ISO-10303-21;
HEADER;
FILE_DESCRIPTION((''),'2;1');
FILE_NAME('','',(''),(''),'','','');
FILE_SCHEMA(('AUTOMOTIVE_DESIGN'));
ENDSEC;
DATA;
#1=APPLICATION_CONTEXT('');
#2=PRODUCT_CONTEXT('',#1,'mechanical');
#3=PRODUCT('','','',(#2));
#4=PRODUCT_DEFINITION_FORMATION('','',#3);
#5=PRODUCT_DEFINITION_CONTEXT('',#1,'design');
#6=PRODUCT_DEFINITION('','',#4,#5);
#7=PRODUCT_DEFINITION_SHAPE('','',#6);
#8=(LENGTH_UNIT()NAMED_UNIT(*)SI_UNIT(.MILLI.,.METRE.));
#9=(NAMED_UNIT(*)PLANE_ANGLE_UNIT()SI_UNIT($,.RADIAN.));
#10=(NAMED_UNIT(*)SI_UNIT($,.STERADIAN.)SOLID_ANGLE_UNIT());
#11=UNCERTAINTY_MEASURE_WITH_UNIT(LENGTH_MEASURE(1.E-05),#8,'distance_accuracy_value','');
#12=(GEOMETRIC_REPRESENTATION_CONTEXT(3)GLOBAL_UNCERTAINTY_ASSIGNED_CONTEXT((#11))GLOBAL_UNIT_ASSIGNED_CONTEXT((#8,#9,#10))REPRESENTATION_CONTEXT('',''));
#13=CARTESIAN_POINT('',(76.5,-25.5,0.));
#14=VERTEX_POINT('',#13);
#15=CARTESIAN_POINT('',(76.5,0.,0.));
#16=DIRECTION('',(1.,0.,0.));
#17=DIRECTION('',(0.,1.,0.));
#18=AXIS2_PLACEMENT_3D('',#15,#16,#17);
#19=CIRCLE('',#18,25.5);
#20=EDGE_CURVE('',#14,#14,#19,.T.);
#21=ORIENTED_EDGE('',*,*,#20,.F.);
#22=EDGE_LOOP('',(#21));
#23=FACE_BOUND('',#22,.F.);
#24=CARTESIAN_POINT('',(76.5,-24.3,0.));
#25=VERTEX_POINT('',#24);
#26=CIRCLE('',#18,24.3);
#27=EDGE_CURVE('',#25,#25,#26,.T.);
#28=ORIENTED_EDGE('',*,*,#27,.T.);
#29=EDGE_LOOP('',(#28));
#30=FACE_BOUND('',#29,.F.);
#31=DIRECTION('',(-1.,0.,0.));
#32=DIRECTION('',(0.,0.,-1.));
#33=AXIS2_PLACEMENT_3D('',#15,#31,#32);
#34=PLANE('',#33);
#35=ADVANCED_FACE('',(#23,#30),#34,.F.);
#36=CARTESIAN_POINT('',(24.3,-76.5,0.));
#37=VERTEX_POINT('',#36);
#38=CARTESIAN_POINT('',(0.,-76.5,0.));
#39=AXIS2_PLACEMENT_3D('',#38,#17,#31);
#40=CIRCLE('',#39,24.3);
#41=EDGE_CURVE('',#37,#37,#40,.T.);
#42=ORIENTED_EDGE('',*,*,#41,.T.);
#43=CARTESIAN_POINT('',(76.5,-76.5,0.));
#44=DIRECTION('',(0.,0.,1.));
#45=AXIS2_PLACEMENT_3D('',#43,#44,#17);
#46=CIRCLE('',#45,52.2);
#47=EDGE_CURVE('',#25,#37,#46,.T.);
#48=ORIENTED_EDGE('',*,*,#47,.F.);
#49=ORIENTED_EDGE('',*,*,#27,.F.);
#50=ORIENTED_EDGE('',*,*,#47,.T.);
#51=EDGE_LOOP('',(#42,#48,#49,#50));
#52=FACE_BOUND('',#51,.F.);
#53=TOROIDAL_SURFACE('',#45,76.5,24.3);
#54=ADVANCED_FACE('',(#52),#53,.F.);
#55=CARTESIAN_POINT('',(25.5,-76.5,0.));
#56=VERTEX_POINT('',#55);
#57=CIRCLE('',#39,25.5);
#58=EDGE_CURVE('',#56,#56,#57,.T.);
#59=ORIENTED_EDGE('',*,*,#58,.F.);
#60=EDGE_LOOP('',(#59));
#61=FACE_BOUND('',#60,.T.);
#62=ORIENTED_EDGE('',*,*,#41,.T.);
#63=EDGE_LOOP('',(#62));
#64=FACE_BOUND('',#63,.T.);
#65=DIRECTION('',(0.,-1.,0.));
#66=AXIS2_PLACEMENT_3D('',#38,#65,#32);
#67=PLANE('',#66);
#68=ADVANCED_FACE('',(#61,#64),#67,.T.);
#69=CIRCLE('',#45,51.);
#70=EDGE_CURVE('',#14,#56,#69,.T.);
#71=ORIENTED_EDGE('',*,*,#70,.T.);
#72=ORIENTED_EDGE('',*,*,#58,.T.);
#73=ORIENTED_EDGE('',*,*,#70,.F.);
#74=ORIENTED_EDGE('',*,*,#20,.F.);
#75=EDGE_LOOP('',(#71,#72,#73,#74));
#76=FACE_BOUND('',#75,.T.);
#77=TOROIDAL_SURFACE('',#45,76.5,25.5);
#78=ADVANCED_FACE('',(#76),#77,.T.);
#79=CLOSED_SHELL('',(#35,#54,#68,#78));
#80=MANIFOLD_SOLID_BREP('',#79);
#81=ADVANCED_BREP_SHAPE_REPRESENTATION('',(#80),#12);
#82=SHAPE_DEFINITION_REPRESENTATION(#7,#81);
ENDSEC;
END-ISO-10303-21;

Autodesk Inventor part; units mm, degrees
ref_plane "YZ Plane" through (0, 0, 0) normal (1, 0, 0) x (0, 1, 0)
ref_plane "XZ Plane" through (0, 0, 0) normal (0, 1, 0) x (-1, 0, 0)
sketch "Szkic6" plane through (0, 0, 0) normal (0, 0, 1) x (1, 0, 0)
  line L0 (-29.6067, 0) -> (35.2678, 0) construction
  line L1 (0, 42.3419) -> (0, -58.3726) construction
  arc A0 (76.5, 0) -> (0, -76.5) centre (76.5, -76.5) ccw
  line L2 (0, -76.5) -> (76.5, -76.5) construction
  line L3 (76.5, -76.5) -> (76.5, -10.9669) construction
  line L4 (76.5, 0) -> (76.5, 0)
  line L5 (0, -76.5) -> (0, -76.5)
  point P0 (0, 0)
  dimension "d24" = 76.5
  dimension "d31" = 90
  dimension "d36" = 0
  dimension "d37" = 0
ref_plane "Płaszczyzna konstrukcyjna2" through (0, -76.5, 0) normal (0, -1, 0) x (1, 0, 0)
sketch "Szkic8" plane through (0, -76.5, 0) normal (0, -1, 0) x (1, 0, 0)
  circle A0 centre (0, 0) radius 25.5
  circle A1 centre (0, 0) radius 24.3
  dimension "d32" = 51
  dimension "d33" = 1.2
sweep "Przeciągnięcie2" add profiles "Szkic8" path "Szkic6"
equation "\"d32\" = OD"
equation "\"d33\" = THK"
equation "\"d24\" = R"
equation "\"d31\" = KAT"
equation "\"SzerokośćGięciaPodcięcia\" = Grubość"
equation "\"RozmiarPodcięciaNarożnika\" = 4 * Grubość"
equation "\"PromieńPrzejścia\" = PromieńGięcia"
equation "\"Rozmiar_promienia_Jacobiego\" = PromieńGięcia"
equation "\"Wielk_odstępu\" = Grubość"
equation "\"d2\" = PromieńGięcia"
equation "\"d23\" = PromieńGięcia"
equation "\"R\" = 76.5"
equation "\"OD\" = 51"
equation "\"THK\" = 1.2"
equation "\"KAT\" = 90deg"
equation "\"PROSTKA\" = 0"
equation "\"Grubość\" = 1.5"
equation "\"PromieńGięcia\" = 3"
properties part number "Kolano 90° ø51x1,2 R76,5" material "304L"
